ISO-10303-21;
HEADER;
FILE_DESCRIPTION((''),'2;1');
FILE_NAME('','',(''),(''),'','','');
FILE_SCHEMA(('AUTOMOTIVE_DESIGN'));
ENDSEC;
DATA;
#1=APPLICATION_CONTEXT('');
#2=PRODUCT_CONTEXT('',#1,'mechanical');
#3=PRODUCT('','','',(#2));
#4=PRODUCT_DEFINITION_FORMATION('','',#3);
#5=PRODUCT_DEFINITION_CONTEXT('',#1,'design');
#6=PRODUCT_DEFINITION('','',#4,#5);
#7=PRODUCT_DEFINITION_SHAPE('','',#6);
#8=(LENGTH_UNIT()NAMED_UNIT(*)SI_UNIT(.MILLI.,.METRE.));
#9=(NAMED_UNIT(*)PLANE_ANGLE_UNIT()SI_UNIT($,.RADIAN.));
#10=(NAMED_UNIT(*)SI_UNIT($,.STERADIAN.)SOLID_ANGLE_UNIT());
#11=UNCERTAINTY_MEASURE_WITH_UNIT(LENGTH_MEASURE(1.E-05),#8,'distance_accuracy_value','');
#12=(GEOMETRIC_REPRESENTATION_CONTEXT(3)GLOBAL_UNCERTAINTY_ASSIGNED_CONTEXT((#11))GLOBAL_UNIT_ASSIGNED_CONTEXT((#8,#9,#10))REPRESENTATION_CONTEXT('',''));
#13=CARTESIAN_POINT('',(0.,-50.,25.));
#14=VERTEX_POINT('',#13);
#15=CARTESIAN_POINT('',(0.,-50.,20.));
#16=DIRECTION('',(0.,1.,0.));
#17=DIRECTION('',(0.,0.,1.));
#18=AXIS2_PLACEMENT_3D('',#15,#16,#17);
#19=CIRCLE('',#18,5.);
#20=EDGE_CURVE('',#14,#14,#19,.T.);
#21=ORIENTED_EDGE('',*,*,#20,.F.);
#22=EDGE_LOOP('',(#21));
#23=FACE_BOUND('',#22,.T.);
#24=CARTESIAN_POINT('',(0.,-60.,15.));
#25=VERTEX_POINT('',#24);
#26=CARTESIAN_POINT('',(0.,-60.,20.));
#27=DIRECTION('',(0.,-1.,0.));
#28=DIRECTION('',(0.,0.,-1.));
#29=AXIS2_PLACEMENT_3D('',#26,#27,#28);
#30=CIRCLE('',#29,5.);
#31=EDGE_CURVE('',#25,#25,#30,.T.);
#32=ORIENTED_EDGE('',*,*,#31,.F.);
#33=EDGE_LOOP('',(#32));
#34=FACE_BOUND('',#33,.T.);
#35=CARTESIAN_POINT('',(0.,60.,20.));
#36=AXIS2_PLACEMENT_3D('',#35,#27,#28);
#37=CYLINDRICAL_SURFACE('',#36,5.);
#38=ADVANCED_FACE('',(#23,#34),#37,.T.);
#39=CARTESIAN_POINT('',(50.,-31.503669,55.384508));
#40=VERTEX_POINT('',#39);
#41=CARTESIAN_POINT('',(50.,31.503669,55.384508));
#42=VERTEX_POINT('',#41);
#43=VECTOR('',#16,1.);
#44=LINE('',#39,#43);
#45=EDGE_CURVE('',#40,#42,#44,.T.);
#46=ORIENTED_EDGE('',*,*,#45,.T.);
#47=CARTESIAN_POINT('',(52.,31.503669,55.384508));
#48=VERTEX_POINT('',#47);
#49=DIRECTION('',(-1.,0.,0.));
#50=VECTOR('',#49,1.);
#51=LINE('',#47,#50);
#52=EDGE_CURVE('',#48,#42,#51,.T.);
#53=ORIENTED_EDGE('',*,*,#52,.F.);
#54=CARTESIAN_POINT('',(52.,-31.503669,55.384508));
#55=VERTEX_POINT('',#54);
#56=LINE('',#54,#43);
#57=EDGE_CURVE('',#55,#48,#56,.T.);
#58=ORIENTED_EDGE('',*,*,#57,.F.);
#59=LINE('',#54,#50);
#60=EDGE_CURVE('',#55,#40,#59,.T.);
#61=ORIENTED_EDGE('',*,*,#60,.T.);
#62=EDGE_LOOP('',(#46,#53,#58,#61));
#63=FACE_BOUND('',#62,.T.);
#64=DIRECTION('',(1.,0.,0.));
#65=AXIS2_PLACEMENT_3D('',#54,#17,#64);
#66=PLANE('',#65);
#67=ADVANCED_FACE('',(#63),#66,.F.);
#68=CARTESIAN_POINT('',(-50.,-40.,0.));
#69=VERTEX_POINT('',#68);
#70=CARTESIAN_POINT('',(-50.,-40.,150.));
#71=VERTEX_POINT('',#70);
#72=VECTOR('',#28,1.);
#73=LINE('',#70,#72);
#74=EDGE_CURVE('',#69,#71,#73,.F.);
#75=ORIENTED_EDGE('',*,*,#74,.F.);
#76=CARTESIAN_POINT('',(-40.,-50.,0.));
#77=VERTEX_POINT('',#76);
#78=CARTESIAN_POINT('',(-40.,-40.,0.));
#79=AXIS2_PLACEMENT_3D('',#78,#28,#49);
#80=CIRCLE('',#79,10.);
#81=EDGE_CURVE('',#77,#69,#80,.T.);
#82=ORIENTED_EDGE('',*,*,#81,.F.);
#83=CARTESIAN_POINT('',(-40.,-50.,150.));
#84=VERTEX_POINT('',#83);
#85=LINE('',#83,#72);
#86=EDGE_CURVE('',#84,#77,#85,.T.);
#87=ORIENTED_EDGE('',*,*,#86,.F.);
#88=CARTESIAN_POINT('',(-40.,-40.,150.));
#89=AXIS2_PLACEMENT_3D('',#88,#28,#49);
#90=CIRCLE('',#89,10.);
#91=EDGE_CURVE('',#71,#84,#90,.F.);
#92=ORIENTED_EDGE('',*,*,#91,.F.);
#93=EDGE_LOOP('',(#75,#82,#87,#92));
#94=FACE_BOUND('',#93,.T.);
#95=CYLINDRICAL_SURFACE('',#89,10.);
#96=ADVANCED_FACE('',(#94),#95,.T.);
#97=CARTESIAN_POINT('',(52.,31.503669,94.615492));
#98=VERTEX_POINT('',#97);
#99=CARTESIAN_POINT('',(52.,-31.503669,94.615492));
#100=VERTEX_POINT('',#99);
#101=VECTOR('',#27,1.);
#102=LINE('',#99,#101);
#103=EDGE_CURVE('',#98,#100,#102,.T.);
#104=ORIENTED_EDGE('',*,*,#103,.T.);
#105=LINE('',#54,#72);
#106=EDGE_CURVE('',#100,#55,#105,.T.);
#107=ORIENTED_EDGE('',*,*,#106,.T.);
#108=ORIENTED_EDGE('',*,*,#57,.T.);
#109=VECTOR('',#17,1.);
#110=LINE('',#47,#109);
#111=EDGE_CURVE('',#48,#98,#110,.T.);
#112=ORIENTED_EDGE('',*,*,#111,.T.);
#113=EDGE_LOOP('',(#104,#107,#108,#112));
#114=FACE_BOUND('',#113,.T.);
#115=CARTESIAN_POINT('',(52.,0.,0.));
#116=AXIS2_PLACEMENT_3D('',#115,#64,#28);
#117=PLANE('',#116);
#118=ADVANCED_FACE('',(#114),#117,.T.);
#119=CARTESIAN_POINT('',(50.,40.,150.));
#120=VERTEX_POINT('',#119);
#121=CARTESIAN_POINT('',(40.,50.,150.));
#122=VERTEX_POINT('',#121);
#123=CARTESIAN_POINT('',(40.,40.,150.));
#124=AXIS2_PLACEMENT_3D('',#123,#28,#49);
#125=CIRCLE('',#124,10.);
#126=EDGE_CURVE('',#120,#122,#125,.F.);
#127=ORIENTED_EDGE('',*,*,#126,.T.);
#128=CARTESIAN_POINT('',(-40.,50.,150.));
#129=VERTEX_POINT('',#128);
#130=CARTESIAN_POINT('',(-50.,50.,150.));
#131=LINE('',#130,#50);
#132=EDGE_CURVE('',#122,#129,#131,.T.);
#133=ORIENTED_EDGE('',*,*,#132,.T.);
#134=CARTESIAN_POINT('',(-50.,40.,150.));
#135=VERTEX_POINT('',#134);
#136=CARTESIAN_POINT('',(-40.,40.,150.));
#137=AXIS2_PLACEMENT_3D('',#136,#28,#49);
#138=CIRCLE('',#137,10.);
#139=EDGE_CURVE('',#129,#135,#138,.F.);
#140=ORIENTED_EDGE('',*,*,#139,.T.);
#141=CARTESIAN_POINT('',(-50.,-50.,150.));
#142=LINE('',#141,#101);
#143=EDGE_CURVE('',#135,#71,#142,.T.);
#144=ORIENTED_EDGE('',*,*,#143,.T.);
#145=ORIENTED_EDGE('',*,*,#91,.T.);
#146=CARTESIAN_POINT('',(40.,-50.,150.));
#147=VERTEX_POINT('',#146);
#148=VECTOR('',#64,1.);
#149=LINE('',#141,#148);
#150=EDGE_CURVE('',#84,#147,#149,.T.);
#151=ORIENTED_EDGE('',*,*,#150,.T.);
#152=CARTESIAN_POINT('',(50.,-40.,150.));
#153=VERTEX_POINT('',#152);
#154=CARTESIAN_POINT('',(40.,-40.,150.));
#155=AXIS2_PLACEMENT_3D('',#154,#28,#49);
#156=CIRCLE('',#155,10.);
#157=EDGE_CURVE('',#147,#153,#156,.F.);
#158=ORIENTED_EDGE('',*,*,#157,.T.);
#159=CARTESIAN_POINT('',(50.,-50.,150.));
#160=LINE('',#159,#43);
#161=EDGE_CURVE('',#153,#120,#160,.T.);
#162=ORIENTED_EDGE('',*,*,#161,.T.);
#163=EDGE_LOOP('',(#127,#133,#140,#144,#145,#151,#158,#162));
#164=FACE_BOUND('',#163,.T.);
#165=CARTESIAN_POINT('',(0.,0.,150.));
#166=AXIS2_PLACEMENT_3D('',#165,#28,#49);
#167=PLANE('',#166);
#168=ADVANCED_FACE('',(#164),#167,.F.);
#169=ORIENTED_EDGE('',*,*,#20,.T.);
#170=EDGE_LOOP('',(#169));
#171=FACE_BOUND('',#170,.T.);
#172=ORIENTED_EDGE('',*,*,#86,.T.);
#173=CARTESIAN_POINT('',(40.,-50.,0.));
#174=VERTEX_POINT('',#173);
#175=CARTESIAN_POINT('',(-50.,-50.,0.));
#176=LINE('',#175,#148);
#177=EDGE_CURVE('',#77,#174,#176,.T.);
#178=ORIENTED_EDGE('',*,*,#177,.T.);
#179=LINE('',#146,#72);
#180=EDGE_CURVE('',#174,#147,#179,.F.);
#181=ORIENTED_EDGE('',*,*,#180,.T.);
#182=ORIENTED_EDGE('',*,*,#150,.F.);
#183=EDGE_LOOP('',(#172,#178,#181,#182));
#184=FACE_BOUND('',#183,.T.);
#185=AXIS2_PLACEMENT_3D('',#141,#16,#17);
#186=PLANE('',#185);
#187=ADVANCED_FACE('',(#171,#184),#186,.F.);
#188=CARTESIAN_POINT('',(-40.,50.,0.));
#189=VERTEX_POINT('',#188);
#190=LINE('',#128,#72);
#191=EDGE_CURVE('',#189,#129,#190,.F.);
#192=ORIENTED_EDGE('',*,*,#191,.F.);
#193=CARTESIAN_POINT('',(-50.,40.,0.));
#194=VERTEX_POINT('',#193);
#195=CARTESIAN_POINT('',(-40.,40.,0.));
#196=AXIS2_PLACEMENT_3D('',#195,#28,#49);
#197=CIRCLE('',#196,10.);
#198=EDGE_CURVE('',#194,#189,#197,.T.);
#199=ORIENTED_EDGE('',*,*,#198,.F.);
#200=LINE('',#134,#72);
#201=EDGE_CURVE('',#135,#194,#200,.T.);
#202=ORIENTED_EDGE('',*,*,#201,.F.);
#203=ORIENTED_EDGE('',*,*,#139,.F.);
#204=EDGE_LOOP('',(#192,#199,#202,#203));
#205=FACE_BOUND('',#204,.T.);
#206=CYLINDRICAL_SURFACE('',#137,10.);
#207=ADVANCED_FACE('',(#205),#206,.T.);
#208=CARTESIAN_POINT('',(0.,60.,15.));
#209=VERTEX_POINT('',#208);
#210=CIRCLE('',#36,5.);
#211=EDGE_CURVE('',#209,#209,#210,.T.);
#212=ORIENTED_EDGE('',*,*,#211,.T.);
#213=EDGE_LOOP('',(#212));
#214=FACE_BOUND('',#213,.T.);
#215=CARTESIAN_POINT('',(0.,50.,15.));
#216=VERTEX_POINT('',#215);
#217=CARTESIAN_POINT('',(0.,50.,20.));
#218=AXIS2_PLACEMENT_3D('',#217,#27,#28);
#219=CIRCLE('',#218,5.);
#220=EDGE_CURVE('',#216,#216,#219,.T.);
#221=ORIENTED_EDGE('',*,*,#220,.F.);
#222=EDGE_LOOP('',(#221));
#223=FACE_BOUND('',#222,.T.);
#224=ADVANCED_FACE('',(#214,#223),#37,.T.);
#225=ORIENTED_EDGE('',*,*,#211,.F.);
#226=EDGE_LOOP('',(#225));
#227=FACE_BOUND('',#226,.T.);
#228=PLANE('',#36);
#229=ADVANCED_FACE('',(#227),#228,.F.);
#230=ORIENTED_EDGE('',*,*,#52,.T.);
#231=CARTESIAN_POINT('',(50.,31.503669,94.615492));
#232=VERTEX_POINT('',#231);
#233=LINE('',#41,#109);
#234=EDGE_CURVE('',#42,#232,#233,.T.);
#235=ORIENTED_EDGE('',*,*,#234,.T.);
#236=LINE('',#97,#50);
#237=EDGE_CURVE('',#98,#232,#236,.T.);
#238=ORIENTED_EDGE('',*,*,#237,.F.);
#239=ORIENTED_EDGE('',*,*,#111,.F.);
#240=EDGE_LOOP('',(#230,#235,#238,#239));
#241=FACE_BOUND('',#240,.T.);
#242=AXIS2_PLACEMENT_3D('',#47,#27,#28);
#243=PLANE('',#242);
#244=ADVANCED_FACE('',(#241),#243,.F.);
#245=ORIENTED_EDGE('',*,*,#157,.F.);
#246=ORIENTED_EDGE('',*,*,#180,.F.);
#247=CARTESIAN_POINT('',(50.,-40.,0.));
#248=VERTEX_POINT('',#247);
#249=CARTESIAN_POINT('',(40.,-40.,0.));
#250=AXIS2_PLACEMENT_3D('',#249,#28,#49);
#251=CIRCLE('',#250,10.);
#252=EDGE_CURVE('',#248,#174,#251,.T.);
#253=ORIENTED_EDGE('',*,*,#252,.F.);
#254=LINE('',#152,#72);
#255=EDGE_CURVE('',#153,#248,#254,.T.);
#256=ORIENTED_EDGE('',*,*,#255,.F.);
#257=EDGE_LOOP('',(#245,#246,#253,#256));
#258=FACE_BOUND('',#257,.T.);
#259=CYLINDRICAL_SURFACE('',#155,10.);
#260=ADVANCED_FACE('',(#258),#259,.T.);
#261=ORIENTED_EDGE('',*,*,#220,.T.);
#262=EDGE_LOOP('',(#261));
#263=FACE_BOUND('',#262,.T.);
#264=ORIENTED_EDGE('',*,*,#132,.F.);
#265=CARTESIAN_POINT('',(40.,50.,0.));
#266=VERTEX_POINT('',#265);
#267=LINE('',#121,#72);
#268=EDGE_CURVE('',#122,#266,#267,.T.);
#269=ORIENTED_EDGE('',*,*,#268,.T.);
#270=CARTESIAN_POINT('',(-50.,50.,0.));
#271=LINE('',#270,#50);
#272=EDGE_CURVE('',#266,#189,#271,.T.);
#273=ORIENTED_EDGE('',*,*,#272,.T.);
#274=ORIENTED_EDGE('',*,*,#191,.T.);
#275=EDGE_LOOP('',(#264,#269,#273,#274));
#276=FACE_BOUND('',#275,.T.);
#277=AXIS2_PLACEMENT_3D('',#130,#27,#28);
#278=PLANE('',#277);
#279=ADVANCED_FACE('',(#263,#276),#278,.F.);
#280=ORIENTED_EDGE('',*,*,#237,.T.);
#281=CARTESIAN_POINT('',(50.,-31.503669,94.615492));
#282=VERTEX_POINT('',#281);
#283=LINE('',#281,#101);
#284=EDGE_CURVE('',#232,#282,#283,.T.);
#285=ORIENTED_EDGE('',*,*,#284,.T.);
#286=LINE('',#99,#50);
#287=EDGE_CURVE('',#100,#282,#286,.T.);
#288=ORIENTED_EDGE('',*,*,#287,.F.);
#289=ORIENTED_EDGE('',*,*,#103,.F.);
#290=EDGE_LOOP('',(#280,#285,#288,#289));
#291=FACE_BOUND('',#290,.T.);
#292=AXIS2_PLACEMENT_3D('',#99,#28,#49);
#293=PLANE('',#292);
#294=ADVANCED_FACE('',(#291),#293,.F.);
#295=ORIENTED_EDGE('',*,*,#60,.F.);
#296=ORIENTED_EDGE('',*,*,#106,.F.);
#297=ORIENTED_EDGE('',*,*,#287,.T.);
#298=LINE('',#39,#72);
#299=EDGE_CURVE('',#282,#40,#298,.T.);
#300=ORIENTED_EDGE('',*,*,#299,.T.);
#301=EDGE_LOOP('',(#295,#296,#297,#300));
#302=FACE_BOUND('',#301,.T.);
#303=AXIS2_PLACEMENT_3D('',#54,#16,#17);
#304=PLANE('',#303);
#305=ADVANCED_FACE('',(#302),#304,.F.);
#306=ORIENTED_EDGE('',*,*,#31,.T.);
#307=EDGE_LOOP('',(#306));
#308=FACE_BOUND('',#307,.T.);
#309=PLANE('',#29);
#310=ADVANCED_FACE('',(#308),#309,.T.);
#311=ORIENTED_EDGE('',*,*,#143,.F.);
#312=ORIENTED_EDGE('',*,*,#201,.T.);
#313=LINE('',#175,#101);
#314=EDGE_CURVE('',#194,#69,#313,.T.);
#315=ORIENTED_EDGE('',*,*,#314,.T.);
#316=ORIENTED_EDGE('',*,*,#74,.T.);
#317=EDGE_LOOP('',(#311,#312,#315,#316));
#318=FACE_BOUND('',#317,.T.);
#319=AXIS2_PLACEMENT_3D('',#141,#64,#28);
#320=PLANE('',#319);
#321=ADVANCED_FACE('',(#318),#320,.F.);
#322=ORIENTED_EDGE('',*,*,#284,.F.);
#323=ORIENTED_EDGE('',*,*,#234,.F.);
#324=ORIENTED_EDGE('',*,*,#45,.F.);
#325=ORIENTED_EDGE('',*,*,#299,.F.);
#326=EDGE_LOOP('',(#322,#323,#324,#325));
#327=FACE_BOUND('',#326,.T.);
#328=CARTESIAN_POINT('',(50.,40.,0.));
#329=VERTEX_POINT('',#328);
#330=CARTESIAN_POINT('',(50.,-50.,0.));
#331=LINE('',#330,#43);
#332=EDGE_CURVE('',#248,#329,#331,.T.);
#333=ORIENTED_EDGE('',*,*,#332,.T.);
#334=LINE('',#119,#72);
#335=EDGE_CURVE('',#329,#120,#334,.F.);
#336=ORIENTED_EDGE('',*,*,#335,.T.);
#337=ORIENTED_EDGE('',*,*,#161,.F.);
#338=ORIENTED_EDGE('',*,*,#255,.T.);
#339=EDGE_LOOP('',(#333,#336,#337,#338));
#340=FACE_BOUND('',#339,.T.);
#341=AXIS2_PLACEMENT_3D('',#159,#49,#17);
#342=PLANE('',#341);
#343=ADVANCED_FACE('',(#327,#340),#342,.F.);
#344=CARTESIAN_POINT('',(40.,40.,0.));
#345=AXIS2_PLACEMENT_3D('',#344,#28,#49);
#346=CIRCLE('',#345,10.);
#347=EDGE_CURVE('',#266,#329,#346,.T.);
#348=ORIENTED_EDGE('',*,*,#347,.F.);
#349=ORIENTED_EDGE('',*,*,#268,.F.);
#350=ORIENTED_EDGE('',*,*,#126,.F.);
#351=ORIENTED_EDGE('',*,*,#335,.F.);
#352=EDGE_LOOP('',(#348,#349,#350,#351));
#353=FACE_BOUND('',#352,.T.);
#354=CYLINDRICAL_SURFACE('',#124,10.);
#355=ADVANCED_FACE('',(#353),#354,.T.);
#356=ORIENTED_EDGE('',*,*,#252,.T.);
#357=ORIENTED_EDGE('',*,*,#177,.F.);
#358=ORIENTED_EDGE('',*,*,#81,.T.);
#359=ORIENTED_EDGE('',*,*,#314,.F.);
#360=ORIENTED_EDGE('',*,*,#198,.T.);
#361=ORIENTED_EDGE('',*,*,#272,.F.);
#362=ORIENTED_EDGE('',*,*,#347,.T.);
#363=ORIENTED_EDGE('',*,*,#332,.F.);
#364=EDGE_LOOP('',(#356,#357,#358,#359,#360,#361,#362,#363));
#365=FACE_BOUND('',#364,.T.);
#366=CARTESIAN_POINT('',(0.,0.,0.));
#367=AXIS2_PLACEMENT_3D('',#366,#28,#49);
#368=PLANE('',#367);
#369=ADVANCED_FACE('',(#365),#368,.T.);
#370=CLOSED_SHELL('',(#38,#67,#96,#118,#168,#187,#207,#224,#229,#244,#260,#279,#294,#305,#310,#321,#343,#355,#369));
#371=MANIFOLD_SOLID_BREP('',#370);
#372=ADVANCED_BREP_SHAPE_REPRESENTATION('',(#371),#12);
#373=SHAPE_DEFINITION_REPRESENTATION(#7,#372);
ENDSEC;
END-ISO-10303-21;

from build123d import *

# Parameters (mm, degrees)
SKETCH1_W                = 100
SKETCH1_H                = 100
BOSS_EXTRUDE1_DEPTH      = 150
FILLET1_R                = 10
SKETCH2_W                = 39.23098356
SKETCH2_H                = 63.007337234
BOSS_EXTRUDE2_DEPTH      = 2
BOSS_EXTRUDE3_DEPTH      = 10
BOSS_EXTRUDE3_DEPTH_BACK = 110
SKETCH3_R                = 5


with BuildPart() as part:
    # Sketch1 → Boss-Extrude1 (new body)
    with BuildSketch(Plane.XY):
        Rectangle(SKETCH1_W, SKETCH1_H)
    extrude(amount=BOSS_EXTRUDE1_DEPTH)

    # Fillet1
    fillet1_edges = [part.edges().sort_by_distance(p)[0] for p in [
        (50, -50, 75),
        (-50, -50, 75),
        (-50, 50, 75),
        (50, 50, 75),
    ]]
    fillet(fillet1_edges, radius=FILLET1_R)

    # Sketch2 → Boss-Extrude2 (add)
    with BuildSketch(Plane(origin=(50, 0, 0), x_dir=(0, 0, -1), z_dir=(1, 0, 0))):
        with Locations((-75, 0)):
            Rectangle(SKETCH2_W, SKETCH2_H)
    extrude(amount=BOSS_EXTRUDE2_DEPTH)

    # Sketch3 → Boss-Extrude3 (add, two sides: drawn at the far end of the back side and taken through both)
    with BuildSketch(Plane.XZ.offset(50).offset(-BOSS_EXTRUDE3_DEPTH_BACK)):
        with Locations(Location((0, 20, 0), (0, 0, 270))):
            Circle(SKETCH3_R)
    extrude(amount=BOSS_EXTRUDE3_DEPTH + BOSS_EXTRUDE3_DEPTH_BACK)


solid = part.part
